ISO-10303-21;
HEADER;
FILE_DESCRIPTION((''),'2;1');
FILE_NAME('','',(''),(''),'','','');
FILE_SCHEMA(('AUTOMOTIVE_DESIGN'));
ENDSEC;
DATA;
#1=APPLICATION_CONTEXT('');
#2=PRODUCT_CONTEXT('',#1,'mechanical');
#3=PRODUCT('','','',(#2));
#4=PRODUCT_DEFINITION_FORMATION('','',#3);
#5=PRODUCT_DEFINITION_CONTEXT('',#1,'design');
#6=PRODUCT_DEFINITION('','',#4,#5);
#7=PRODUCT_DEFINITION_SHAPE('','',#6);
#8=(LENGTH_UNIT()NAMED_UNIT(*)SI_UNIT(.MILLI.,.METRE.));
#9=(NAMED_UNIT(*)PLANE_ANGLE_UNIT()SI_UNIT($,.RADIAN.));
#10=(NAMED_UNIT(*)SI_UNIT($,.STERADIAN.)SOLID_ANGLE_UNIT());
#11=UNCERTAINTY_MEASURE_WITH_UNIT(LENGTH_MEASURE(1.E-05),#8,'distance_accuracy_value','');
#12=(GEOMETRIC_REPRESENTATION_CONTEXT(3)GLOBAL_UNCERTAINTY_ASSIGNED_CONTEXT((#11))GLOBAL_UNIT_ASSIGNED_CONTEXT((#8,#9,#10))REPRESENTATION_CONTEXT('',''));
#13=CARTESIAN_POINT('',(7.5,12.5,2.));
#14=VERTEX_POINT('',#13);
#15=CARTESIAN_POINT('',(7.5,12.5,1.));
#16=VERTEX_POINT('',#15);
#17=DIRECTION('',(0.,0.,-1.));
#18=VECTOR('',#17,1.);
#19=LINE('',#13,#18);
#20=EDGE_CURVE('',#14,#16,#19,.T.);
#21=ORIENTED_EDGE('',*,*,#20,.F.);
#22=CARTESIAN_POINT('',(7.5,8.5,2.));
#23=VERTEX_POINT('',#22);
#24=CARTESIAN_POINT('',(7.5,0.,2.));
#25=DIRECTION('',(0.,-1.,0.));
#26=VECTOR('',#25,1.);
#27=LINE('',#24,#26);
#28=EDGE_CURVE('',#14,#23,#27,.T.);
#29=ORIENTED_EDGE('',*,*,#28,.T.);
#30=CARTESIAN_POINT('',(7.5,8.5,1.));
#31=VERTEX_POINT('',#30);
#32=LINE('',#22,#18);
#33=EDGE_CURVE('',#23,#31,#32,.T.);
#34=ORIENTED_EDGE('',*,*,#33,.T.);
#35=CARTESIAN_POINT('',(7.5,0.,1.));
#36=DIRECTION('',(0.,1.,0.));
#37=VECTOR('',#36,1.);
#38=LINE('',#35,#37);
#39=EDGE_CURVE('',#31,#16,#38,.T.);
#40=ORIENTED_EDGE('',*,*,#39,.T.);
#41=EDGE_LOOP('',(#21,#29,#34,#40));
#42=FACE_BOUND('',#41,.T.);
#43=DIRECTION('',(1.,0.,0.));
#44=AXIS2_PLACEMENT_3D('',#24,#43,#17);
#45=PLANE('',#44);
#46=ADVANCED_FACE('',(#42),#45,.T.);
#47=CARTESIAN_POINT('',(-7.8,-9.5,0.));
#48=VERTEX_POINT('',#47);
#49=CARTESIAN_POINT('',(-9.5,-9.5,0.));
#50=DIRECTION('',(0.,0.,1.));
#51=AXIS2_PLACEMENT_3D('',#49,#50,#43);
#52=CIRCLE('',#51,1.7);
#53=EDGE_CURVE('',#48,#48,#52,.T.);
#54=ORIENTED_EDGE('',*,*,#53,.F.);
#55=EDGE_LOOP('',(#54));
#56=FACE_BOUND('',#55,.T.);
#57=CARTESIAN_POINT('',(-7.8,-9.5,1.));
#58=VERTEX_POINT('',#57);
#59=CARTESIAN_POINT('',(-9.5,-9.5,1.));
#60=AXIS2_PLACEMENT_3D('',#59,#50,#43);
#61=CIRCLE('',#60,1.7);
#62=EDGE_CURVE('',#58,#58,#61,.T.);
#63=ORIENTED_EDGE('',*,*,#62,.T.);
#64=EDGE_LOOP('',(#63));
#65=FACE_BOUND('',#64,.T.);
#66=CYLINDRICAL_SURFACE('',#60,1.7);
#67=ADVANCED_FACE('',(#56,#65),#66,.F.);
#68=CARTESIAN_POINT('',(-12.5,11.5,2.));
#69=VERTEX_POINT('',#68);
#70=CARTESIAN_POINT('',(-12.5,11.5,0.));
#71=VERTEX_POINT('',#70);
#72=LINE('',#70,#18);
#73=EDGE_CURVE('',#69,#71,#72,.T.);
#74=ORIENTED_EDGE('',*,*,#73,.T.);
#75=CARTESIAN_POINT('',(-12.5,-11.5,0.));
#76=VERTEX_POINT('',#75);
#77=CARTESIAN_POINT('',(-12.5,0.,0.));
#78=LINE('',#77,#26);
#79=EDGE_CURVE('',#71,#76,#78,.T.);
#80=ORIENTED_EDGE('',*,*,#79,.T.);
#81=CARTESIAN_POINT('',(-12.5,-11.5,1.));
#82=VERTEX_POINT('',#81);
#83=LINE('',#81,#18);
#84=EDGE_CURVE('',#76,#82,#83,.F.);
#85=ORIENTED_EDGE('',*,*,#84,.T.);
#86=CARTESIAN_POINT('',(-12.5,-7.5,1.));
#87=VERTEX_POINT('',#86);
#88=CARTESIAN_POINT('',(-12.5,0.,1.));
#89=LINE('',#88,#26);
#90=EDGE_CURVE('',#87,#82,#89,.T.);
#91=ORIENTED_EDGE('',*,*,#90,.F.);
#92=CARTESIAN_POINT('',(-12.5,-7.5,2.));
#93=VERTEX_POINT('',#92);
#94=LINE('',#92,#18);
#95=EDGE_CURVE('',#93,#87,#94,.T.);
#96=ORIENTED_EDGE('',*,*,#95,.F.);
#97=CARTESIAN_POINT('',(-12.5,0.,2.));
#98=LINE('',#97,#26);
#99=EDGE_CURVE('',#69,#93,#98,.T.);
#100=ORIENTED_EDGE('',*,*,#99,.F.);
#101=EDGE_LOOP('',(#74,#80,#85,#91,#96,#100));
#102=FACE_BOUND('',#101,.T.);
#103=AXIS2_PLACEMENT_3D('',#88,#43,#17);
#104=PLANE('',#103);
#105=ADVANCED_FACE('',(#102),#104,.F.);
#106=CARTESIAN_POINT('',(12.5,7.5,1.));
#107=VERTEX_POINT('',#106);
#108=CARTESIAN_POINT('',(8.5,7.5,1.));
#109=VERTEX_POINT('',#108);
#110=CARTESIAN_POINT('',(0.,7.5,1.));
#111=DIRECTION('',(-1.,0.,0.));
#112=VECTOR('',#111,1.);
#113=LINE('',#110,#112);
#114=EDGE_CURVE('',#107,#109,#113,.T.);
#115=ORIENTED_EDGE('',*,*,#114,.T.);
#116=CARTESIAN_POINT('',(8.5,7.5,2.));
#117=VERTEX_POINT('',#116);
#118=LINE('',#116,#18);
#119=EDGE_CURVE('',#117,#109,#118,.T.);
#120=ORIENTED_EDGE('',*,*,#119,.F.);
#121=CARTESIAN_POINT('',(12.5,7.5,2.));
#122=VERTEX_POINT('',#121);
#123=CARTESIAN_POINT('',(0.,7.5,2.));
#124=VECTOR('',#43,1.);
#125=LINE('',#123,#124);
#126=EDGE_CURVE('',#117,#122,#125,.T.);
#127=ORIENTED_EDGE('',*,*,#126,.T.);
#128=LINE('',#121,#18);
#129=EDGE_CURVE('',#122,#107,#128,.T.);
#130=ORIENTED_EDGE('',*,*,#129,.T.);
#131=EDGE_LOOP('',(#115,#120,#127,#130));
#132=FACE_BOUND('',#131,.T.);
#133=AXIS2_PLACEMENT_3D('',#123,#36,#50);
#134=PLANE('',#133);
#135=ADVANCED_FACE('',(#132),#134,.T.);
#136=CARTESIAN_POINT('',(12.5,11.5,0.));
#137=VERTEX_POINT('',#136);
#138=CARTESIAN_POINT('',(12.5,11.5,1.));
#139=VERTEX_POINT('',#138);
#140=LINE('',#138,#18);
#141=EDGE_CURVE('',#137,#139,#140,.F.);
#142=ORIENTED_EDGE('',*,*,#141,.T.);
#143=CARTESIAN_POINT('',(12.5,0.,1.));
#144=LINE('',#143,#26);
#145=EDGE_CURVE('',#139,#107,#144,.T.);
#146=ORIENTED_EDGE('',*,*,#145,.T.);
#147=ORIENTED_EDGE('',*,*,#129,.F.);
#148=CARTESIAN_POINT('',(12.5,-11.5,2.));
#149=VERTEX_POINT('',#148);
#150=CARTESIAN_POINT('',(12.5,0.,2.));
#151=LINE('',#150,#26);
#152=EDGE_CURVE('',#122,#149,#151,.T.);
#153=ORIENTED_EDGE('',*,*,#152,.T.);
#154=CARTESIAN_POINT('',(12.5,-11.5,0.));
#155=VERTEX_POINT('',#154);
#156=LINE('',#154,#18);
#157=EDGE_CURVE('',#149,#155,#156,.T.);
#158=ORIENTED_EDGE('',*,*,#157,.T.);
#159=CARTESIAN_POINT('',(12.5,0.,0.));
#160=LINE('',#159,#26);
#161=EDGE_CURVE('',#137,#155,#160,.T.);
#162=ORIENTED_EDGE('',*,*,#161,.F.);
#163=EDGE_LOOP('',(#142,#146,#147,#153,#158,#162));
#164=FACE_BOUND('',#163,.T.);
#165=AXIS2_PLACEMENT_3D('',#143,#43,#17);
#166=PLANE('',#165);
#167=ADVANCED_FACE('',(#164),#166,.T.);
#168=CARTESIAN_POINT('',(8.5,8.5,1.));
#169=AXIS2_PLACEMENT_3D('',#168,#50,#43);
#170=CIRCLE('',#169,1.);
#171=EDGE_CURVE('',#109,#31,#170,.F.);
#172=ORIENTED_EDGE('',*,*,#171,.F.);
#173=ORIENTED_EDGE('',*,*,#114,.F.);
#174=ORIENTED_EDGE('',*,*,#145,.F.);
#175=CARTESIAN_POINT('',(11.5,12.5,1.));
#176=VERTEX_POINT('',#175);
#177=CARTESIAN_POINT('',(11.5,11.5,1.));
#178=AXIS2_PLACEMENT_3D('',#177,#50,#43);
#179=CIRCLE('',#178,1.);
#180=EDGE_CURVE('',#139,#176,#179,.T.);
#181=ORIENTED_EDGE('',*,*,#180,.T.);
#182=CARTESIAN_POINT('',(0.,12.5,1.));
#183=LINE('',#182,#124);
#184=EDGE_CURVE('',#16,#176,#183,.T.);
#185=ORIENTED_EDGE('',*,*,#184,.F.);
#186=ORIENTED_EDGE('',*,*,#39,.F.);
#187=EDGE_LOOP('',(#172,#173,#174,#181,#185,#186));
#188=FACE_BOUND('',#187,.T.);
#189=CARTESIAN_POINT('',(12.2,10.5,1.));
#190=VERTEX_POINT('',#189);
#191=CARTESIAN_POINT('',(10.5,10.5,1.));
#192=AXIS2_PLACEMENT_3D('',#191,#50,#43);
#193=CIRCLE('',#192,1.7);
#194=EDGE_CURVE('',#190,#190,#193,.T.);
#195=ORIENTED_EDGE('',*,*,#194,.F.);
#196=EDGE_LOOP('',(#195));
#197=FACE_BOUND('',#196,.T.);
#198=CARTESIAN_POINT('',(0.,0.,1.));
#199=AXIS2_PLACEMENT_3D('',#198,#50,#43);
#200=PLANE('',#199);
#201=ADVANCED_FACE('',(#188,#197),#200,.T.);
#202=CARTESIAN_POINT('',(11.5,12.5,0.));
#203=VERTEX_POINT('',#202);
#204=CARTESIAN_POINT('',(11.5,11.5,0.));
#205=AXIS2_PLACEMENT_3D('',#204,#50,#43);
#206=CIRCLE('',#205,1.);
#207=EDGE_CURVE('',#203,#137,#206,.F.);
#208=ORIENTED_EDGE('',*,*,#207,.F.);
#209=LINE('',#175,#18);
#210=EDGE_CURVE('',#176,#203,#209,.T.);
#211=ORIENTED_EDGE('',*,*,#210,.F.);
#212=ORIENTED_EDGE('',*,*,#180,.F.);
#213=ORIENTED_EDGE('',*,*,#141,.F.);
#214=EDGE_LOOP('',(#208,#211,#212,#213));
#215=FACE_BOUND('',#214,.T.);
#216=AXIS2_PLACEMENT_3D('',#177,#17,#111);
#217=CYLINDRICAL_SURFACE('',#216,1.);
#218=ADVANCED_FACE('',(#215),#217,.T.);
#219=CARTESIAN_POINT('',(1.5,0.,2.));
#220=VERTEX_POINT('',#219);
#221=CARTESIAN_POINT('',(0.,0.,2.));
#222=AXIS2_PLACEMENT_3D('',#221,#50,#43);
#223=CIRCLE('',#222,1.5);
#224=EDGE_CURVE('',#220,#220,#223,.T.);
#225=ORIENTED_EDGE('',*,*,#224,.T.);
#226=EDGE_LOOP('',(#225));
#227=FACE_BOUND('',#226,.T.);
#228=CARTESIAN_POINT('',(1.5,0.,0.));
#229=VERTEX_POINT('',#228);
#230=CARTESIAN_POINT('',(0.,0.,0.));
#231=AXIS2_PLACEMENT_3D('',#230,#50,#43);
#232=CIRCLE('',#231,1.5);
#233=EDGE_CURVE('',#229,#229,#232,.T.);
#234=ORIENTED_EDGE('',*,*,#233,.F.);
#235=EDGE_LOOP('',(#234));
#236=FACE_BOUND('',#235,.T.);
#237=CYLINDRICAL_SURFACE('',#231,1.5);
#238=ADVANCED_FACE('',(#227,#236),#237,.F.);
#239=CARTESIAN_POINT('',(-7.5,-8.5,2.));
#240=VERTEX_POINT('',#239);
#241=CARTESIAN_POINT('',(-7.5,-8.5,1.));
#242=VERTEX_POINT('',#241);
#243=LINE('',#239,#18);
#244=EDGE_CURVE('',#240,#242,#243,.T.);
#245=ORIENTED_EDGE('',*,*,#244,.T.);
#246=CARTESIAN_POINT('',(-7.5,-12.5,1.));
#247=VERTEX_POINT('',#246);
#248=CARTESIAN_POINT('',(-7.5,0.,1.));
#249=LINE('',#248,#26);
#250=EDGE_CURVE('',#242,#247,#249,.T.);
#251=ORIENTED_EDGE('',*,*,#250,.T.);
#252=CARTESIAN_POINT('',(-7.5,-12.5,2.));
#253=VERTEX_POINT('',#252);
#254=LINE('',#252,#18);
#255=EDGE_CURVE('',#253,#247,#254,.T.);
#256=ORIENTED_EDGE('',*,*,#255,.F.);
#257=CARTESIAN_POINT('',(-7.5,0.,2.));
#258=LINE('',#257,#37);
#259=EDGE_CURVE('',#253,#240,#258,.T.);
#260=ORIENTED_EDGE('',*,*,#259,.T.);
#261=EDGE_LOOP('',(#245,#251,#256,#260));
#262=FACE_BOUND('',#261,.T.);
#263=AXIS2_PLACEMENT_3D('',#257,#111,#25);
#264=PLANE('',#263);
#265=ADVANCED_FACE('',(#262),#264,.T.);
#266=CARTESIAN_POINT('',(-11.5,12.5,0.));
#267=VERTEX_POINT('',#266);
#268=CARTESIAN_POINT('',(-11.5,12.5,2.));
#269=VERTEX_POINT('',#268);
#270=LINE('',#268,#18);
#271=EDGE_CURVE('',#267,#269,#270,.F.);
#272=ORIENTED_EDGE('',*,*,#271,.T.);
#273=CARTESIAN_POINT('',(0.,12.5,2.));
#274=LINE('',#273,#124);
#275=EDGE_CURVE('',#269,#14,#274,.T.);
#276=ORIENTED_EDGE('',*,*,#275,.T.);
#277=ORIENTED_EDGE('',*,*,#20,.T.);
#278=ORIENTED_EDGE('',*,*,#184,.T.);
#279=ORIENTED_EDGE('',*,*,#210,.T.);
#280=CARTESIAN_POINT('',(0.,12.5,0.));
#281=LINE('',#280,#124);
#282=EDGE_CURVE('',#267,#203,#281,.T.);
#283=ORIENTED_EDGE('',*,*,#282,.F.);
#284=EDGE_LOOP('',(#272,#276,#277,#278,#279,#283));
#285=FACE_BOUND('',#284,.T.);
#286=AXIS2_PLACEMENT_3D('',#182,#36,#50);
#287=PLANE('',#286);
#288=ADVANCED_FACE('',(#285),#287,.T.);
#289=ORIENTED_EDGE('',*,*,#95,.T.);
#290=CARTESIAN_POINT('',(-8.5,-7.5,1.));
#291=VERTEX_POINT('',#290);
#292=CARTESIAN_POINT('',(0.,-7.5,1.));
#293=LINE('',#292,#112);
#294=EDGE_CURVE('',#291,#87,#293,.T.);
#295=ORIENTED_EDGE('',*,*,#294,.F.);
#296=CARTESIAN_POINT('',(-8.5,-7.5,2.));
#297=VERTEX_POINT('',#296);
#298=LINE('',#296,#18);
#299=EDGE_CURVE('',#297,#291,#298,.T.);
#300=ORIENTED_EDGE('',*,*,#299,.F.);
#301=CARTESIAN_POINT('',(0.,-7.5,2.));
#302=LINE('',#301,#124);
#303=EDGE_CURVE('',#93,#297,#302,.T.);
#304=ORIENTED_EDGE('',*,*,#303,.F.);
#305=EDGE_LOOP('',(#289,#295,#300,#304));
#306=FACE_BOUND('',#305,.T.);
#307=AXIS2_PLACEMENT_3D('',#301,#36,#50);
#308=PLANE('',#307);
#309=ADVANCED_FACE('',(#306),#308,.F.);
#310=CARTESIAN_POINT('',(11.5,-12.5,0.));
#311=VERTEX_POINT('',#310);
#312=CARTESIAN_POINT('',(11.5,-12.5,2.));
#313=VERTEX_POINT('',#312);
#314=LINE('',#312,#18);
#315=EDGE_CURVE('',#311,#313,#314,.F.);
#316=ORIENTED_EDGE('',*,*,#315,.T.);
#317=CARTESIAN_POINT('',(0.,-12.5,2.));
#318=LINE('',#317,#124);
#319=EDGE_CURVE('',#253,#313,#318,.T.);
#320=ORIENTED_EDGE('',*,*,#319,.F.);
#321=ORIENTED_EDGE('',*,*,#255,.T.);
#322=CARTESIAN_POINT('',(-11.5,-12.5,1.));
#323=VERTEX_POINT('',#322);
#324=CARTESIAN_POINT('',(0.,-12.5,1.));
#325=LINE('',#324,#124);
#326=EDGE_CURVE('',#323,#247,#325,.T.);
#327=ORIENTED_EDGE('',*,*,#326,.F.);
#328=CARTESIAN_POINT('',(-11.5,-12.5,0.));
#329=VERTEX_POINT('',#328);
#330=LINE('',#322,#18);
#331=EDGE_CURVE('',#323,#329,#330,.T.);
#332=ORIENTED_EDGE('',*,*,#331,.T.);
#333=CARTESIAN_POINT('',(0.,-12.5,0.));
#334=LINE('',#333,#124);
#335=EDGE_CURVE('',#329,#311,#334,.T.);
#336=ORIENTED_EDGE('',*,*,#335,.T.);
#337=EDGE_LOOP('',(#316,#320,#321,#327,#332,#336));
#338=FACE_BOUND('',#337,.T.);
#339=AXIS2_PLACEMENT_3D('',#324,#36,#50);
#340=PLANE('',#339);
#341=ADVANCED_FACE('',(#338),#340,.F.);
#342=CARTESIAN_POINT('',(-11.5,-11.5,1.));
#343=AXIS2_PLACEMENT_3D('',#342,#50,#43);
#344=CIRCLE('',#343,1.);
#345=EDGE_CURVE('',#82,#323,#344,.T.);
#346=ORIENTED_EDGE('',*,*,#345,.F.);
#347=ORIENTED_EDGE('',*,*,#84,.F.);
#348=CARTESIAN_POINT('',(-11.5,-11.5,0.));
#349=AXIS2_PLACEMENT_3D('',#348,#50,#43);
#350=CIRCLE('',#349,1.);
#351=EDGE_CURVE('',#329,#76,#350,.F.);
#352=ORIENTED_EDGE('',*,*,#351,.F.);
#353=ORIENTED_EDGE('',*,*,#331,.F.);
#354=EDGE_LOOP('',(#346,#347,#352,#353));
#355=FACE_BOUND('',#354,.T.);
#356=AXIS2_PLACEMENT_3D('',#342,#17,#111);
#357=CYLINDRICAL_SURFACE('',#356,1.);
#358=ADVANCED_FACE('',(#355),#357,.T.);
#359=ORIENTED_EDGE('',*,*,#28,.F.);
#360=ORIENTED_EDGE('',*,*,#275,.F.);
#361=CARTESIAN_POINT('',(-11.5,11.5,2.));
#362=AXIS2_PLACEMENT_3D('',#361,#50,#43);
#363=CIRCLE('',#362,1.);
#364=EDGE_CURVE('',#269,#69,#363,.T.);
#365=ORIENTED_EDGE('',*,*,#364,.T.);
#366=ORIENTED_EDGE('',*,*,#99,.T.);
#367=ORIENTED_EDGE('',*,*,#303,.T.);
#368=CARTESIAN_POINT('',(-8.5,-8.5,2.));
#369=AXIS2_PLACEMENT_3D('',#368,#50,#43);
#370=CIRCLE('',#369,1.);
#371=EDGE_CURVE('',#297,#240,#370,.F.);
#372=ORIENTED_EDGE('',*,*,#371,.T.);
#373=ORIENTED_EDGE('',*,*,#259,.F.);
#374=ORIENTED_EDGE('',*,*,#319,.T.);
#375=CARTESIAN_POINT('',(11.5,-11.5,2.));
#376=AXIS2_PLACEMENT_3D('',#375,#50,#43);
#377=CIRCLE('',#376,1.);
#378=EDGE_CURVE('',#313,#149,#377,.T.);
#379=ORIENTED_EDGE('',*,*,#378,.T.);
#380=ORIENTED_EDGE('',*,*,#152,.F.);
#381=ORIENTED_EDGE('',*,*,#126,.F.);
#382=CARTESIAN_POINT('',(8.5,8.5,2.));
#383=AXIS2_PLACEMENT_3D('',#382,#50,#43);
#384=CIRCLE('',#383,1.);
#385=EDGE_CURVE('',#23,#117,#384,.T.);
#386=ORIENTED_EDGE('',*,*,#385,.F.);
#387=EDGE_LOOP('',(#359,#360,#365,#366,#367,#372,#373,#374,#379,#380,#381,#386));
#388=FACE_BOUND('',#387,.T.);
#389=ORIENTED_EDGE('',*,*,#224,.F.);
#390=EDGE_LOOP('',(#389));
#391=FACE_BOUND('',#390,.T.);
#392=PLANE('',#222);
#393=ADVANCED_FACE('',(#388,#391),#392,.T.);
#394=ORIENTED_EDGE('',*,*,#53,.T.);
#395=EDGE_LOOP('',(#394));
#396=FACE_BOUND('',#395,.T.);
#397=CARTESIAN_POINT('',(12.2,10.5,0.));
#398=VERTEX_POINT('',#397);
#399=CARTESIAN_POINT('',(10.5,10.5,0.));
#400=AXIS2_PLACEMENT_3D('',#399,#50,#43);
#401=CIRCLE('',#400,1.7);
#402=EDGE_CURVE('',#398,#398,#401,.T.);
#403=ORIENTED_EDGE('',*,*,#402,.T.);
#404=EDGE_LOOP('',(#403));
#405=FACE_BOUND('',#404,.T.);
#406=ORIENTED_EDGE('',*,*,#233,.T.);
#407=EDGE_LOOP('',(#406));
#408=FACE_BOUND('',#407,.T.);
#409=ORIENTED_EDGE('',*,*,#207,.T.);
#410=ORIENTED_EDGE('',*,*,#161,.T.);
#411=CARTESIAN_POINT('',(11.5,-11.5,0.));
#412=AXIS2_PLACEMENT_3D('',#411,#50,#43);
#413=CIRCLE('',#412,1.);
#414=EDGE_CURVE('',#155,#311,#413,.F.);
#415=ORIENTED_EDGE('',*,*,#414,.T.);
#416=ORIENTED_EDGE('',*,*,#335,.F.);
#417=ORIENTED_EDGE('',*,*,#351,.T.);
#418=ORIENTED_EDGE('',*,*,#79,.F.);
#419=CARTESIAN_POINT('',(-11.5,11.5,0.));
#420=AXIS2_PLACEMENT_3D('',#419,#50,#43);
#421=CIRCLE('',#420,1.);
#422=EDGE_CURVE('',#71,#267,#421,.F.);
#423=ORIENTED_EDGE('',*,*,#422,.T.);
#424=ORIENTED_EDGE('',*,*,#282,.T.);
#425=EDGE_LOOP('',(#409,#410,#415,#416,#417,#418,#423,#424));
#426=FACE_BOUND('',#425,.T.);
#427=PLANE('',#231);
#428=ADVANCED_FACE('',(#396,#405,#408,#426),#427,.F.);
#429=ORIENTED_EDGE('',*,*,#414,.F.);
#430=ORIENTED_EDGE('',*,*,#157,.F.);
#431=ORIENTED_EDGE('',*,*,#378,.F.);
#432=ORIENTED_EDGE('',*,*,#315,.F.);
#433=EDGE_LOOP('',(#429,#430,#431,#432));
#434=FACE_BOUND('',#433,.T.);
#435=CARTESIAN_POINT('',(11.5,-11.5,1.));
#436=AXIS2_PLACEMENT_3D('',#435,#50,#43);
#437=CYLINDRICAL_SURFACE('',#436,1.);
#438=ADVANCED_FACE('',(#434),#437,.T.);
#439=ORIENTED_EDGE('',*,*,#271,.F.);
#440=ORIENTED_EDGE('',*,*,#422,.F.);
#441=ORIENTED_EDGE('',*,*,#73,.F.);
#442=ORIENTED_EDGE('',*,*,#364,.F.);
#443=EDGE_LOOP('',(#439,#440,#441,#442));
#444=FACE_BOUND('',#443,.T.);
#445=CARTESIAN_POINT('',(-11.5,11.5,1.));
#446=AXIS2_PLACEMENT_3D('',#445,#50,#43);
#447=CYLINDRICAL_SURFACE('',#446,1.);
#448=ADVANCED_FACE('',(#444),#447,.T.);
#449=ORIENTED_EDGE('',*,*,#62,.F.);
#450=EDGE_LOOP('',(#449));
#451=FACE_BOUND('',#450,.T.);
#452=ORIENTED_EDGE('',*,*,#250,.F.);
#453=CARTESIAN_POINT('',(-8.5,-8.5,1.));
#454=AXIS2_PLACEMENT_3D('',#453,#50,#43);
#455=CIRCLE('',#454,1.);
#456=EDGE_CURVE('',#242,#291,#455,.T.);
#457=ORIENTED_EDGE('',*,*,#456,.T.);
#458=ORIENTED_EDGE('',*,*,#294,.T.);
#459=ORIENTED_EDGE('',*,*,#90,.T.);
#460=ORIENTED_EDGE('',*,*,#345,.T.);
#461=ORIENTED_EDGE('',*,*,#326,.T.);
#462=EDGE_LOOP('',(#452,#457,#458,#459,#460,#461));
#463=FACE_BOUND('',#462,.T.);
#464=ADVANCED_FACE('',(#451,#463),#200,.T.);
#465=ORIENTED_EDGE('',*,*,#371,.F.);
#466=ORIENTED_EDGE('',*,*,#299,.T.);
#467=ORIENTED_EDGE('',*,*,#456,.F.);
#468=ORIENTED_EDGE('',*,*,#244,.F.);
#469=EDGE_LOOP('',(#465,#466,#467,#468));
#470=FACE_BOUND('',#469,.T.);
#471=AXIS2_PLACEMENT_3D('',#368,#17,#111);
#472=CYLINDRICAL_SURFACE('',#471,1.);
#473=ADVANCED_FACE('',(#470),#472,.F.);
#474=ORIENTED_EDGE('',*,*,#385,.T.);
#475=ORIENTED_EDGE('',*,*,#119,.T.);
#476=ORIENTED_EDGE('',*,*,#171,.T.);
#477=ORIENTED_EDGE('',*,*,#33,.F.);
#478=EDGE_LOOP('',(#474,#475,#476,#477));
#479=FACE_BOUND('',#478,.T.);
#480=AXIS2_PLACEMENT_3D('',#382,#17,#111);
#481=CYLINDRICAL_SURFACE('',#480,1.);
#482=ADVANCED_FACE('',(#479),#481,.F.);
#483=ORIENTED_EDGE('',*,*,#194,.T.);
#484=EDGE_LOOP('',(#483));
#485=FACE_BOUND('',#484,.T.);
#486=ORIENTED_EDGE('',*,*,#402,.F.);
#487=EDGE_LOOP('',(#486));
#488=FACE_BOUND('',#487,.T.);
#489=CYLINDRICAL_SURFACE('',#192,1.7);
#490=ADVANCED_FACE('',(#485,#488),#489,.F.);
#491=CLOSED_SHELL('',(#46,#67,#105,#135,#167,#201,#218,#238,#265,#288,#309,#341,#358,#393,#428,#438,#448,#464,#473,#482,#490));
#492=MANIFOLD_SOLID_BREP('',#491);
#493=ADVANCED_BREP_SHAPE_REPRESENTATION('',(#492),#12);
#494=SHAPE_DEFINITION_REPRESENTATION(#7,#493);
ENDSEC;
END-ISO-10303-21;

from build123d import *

# Parameters (mm, degrees)
SKETCH1_W            = 25
SKETCH1_H            = 25
BOSS_EXTRUDE1_DEPTH  = 1
BOSS_EXTRUDE2_DEPTH  = 2
FILLET1_R            = 1
SKETCH2_R            = 1.5
CUT_EXTRUDE1_DEPTH   = 18.790446875
M3_CLEARANCE_HOLE1_D = 3.4


with BuildPart() as part:
    # Sketch1 → Boss-Extrude1 (new body)
    with BuildSketch(Plane.XY):
        Rectangle(SKETCH1_W, SKETCH1_H)
    extrude(amount=BOSS_EXTRUDE1_DEPTH)

    # Sketch1<3> → Boss-Extrude2 (add)
    with BuildSketch(Plane.XY):
        with BuildLine():
            Line((7.5, 8.5), (7.5, 12.5))
            Line((7.5, 12.5), (-12.5, 12.5))
            Line((-12.5, 12.5), (-12.5, -7.5))
            Line((-12.5, -7.5), (-8.5, -7.5))
            ThreePointArc((-8.5, -7.5), (-7.792893219, -7.792893219), (-7.5, -8.5))
            Line((-7.5, -8.5), (-7.5, -12.5))
            Line((-7.5, -12.5), (12.5, -12.5))
            Line((12.5, -12.5), (12.5, 7.5))
            Line((12.5, 7.5), (8.5, 7.5))
            ThreePointArc((8.5, 7.5), (7.792893219, 7.792893219), (7.5, 8.5))
        make_face()
    extrude(amount=BOSS_EXTRUDE2_DEPTH)

    # Fillet1
    fillet1_edges = [part.edges().sort_by_distance(p)[0] for p in [
        (12.5, -12.5, 1),
        (-12.5, -12.5, 0.5),
        (-12.5, 12.5, 1),
        (12.5, 12.5, 0.5),
    ]]
    fillet(fillet1_edges, radius=FILLET1_R)

    # Sketch2 → Cut-Extrude1 (cut, through all)
    with BuildSketch(Plane.XY.offset(2)):
        Circle(SKETCH2_R)
    extrude(amount=-CUT_EXTRUDE1_DEPTH, mode=Mode.SUBTRACT)

    # M3 Clearance Hole1 (through all)
    with Locations(Plane.XY.offset(1)):
        with Locations((10.5, 10.5), (-9.5, -9.5)):
            Hole(M3_CLEARANCE_HOLE1_D / 2)


solid = part.part
